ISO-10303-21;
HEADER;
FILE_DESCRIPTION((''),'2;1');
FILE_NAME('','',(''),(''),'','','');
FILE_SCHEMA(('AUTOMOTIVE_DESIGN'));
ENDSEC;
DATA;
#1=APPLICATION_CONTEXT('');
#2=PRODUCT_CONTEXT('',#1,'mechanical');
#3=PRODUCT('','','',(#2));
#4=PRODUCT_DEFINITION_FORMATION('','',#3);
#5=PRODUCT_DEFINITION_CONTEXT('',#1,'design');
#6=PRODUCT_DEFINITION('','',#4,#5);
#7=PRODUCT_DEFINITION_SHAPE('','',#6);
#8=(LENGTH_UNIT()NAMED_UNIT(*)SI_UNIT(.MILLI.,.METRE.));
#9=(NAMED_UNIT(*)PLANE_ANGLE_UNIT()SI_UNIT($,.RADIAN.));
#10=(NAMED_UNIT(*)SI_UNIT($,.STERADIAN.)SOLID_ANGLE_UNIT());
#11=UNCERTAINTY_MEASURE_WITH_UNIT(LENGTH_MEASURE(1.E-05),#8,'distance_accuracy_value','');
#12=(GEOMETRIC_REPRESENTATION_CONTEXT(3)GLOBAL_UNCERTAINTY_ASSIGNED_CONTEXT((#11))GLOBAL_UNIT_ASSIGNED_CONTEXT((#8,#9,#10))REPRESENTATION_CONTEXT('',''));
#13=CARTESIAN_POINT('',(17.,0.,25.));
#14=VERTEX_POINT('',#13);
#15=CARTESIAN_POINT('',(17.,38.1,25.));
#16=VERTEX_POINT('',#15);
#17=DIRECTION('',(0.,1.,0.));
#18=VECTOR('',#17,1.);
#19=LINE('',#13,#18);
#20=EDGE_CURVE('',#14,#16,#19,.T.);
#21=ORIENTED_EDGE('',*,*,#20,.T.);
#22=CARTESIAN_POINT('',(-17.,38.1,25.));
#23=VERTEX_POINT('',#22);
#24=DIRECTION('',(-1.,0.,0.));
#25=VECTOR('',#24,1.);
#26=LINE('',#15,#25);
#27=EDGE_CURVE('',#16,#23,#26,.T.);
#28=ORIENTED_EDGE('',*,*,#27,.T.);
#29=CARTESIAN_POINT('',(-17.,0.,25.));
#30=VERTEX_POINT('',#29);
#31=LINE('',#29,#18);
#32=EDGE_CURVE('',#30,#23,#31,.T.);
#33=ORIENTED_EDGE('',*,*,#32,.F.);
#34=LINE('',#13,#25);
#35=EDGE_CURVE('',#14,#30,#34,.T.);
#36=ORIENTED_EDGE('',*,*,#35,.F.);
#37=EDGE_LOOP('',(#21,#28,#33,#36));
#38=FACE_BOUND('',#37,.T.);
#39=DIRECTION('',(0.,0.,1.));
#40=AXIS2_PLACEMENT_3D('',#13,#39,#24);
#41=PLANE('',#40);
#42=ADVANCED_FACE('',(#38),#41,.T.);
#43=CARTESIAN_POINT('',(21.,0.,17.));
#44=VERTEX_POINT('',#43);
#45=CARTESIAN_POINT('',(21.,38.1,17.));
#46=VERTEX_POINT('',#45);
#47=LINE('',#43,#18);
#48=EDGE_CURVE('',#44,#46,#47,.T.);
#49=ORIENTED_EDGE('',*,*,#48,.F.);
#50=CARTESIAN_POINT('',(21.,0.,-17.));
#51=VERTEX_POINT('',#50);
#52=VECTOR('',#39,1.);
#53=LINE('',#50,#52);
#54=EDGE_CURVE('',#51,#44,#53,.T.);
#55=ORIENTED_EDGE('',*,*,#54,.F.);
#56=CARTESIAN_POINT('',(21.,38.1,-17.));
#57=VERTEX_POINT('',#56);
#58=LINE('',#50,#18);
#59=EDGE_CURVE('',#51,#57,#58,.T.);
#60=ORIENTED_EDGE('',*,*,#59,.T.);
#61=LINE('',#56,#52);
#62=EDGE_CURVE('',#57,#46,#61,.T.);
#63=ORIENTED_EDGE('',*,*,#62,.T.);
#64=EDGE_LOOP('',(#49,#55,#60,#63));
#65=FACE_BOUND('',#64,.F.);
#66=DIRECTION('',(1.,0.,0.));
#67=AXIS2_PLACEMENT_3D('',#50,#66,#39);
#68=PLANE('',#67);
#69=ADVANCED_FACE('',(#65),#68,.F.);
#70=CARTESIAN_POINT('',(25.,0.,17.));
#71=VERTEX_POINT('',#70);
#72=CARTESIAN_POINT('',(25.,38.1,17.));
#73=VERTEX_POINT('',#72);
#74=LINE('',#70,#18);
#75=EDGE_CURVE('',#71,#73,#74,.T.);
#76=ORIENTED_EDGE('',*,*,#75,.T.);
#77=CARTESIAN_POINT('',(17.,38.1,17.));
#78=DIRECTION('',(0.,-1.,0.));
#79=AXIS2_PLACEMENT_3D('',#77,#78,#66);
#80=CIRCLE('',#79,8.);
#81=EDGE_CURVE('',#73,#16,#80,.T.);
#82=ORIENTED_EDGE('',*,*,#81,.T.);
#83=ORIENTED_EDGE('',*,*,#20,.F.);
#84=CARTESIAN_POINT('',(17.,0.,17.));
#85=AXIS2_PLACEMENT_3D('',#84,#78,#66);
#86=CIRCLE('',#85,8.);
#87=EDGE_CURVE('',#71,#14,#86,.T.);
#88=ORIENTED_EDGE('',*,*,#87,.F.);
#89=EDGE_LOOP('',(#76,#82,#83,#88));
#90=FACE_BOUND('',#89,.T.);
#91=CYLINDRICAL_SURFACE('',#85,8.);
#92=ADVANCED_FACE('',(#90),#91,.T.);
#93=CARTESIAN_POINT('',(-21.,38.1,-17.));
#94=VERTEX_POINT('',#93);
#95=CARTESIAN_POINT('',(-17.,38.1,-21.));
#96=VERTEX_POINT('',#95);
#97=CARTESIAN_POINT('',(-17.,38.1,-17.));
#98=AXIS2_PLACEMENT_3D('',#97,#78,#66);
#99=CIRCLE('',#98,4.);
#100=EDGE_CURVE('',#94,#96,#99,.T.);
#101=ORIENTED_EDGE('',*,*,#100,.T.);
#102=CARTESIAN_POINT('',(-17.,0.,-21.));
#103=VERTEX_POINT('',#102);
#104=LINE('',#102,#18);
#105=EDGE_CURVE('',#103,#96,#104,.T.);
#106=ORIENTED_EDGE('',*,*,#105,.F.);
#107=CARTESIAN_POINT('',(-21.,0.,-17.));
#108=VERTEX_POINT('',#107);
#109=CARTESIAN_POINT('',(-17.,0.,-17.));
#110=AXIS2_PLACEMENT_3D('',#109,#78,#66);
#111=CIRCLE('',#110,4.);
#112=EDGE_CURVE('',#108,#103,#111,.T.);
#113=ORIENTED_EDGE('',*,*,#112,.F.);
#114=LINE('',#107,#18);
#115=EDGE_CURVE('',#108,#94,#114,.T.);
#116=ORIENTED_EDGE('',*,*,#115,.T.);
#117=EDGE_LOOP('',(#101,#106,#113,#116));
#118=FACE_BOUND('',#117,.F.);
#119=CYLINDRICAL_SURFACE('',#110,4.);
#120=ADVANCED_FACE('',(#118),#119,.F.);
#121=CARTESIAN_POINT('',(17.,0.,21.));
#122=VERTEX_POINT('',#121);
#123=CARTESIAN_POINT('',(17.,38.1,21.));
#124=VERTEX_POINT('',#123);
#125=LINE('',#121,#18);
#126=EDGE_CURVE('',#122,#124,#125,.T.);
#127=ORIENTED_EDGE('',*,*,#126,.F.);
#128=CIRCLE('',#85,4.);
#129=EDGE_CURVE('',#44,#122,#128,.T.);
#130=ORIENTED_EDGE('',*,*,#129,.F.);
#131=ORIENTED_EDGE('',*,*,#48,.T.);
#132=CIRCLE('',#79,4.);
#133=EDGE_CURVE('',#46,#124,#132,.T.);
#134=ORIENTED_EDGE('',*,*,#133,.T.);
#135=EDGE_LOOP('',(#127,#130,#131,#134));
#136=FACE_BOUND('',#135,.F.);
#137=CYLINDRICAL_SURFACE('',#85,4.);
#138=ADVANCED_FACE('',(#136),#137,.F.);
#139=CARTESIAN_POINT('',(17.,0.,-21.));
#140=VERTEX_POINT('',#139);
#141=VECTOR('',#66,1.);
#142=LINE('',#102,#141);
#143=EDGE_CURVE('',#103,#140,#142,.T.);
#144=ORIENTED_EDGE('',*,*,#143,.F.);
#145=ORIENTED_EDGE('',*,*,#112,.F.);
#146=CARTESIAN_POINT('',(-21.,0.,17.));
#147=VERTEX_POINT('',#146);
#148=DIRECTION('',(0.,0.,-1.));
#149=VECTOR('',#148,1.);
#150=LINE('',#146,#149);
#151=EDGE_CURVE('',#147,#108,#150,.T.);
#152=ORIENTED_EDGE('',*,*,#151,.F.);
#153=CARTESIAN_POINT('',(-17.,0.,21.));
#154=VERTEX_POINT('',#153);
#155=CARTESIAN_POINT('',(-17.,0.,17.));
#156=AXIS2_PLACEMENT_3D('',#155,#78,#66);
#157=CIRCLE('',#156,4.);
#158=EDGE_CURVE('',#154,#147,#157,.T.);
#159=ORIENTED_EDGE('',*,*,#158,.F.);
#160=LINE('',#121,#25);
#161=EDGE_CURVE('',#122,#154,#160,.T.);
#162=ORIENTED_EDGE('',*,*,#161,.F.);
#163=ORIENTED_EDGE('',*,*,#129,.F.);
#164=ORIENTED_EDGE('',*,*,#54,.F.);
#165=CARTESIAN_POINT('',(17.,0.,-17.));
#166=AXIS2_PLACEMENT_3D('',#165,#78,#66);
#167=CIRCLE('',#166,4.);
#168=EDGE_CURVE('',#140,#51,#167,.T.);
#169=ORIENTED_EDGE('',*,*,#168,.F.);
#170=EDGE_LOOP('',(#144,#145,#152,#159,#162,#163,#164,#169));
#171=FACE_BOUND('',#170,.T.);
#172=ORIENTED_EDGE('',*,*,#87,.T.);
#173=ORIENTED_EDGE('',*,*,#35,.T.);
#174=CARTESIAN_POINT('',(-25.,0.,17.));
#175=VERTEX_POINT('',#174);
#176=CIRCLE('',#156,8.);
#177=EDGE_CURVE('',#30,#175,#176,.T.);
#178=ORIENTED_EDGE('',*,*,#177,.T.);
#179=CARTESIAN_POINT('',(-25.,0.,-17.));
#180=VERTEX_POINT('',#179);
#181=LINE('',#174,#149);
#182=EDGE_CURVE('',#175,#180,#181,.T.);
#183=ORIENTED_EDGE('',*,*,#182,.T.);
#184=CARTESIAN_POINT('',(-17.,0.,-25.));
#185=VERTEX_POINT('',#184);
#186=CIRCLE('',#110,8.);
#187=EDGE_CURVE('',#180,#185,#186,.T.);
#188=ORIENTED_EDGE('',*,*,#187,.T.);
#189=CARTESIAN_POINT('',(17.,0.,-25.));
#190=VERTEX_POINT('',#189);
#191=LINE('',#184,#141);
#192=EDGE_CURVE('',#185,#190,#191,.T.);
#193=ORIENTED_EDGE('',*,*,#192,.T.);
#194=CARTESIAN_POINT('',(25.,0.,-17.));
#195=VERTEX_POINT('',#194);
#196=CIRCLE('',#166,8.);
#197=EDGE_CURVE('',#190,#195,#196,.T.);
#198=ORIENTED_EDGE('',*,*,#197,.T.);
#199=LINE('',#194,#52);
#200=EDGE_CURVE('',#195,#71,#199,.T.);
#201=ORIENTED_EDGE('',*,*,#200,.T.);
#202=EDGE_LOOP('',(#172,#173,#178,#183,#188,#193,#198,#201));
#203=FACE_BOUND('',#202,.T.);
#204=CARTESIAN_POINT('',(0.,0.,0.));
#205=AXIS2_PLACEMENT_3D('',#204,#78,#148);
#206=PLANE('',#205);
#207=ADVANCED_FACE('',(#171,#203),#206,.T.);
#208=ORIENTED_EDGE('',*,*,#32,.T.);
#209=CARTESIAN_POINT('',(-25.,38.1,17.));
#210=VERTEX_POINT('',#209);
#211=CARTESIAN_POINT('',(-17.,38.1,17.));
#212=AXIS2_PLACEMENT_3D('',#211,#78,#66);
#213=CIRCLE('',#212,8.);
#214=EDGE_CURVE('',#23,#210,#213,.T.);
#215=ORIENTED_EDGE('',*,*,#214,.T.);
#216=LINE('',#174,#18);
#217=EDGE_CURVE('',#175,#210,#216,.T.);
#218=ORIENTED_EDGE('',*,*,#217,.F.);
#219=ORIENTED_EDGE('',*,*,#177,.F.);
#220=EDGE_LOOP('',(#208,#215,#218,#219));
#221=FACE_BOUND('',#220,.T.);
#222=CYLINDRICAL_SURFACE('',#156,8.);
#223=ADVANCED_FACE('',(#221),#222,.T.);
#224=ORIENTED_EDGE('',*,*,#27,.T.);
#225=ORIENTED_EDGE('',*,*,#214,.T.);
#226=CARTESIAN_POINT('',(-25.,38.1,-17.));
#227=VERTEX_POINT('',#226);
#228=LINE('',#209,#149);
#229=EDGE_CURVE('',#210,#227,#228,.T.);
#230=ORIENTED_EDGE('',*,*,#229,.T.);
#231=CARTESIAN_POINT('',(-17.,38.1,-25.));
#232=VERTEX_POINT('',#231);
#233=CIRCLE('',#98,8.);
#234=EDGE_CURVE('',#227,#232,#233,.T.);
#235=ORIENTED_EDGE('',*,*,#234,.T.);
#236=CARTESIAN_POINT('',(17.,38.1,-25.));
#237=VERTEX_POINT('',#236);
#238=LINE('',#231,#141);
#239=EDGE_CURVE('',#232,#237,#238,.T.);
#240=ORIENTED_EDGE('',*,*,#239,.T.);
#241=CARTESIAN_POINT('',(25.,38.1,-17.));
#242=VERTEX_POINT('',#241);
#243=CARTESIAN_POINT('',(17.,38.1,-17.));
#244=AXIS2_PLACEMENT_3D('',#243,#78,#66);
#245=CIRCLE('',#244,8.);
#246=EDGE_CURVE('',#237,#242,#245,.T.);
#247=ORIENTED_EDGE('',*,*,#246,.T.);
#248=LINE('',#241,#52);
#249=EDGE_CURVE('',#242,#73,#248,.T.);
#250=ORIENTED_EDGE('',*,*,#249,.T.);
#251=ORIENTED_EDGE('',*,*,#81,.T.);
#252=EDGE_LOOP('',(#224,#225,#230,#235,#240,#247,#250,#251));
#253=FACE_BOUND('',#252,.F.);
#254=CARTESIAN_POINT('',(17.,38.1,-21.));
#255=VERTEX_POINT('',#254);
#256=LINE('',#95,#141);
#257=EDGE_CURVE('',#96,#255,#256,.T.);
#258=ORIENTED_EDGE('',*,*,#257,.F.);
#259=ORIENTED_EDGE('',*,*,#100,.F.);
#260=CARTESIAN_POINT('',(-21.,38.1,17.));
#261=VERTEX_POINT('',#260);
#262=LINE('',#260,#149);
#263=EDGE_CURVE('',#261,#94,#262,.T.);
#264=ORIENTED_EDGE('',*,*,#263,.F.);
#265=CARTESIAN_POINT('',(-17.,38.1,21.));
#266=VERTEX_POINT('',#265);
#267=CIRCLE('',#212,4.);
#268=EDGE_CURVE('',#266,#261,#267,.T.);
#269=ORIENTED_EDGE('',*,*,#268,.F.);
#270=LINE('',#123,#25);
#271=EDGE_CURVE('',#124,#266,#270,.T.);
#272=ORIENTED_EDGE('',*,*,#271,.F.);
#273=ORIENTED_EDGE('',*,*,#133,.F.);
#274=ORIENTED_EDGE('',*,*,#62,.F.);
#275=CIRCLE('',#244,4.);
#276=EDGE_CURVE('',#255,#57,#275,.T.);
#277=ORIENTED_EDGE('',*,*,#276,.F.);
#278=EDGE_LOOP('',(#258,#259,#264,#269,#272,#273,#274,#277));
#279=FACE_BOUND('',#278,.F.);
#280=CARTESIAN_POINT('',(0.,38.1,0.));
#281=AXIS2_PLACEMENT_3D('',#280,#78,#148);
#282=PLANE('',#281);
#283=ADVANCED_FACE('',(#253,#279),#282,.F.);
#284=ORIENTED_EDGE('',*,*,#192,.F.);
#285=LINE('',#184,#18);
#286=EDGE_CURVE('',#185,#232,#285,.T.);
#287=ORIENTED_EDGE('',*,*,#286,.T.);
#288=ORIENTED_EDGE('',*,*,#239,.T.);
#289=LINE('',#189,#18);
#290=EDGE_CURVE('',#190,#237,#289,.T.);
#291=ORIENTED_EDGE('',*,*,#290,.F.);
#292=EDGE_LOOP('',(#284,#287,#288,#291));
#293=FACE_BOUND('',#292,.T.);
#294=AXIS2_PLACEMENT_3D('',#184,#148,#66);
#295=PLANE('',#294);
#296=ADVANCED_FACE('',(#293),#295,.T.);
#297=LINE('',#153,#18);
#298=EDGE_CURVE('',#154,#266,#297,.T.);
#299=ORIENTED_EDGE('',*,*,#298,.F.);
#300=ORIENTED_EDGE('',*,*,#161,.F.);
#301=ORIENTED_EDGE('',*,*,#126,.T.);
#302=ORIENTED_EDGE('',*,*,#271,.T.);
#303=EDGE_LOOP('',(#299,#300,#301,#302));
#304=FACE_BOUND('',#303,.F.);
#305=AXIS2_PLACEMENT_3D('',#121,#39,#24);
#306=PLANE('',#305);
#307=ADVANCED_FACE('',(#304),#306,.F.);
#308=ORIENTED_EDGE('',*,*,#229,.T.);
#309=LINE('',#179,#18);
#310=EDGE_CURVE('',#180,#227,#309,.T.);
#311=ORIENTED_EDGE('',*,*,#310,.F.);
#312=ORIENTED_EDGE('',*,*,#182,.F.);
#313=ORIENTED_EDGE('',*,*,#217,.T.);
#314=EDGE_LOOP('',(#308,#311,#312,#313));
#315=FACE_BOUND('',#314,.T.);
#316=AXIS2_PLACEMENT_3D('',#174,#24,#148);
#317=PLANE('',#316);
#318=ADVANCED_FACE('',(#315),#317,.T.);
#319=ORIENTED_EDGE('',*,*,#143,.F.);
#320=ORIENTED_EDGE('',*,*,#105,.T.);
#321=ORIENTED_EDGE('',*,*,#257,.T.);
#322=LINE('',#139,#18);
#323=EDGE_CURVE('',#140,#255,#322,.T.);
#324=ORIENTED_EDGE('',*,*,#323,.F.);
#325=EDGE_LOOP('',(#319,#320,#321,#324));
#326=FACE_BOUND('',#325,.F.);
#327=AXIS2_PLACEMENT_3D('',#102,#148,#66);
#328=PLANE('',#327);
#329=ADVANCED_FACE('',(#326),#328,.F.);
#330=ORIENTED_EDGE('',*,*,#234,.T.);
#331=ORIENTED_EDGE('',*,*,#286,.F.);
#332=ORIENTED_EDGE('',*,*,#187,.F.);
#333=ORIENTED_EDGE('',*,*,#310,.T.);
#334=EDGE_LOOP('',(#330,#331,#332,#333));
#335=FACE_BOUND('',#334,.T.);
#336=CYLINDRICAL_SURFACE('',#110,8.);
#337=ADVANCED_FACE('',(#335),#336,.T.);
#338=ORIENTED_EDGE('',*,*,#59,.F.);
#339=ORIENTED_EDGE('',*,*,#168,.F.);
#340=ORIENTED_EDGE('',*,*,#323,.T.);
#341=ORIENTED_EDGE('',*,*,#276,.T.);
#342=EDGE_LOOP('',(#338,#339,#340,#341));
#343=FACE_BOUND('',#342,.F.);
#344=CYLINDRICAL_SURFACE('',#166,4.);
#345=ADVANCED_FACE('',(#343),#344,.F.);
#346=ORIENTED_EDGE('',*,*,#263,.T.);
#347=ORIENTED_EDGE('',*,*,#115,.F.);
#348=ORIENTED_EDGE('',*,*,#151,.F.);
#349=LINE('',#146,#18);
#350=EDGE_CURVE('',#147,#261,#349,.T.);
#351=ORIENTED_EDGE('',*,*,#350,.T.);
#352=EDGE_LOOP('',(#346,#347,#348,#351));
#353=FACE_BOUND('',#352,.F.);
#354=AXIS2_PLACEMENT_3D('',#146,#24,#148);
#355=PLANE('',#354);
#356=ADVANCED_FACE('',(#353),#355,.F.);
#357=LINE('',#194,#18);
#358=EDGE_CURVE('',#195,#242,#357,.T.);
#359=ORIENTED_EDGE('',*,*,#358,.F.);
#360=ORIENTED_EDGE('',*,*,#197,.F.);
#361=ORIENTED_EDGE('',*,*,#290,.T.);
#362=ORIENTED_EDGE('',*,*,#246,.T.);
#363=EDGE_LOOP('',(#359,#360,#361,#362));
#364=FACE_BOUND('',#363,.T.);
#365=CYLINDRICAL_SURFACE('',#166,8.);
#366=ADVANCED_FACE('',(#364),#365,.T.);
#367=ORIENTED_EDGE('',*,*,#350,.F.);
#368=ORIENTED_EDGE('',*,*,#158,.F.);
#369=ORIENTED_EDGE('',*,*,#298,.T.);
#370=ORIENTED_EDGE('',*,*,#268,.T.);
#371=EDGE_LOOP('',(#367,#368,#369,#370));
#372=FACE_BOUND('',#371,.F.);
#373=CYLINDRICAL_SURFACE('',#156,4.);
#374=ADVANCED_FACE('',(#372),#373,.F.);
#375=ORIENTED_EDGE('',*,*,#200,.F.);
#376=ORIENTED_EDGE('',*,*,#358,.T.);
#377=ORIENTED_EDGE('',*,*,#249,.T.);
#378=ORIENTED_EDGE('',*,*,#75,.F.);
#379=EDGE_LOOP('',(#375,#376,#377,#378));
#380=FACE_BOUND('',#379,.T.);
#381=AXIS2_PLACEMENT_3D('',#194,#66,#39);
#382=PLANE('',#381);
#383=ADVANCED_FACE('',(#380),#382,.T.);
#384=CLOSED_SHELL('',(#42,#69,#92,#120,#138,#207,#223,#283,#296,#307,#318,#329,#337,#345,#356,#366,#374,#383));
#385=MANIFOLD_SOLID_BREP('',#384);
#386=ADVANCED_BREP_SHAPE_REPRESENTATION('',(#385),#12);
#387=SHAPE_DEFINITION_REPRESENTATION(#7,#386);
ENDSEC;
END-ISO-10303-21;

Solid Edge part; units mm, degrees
sketch "Sketch1" plane through (0, 0, 0) normal (0, -1, 0) x (1, 0, 0)
  line L0 (17, 21) -> (-17, 21)
  arc A0 (-17, 21) -> (-21, 17) centre (-17, 17) ccw
  line L1 (-21, 17) -> (-21, -17)
  arc A1 (-21, -17) -> (-17, -21) centre (-17, -17) ccw
  line L2 (-17, -21) -> (17, -21)
  arc A2 (17, -21) -> (21, -17) centre (17, -17) ccw
  line L3 (21, -17) -> (21, 17)
  arc A3 (21, 17) -> (17, 21) centre (17, 17) ccw
  arc A4 (-17, 25) -> (-25, 17) centre (-17, 17) ccw
  line L4 (-25, 17) -> (-25, -17)
  arc A5 (-25, -17) -> (-17, -25) centre (-17, -17) ccw
  line L5 (-17, -25) -> (17, -25)
  arc A6 (17, -25) -> (25, -17) centre (17, -17) ccw
  line L6 (25, -17) -> (25, 17)
  arc A7 (25, 17) -> (17, 25) centre (17, 17) ccw
  line L7 (17, 25) -> (-17, 25)
  dimension "D1" = 50
  dimension "D2" = 50
  dimension "D3" = 4
extrude "Protrusion1" add sketch "Sketch1" against normal blind 38.1
